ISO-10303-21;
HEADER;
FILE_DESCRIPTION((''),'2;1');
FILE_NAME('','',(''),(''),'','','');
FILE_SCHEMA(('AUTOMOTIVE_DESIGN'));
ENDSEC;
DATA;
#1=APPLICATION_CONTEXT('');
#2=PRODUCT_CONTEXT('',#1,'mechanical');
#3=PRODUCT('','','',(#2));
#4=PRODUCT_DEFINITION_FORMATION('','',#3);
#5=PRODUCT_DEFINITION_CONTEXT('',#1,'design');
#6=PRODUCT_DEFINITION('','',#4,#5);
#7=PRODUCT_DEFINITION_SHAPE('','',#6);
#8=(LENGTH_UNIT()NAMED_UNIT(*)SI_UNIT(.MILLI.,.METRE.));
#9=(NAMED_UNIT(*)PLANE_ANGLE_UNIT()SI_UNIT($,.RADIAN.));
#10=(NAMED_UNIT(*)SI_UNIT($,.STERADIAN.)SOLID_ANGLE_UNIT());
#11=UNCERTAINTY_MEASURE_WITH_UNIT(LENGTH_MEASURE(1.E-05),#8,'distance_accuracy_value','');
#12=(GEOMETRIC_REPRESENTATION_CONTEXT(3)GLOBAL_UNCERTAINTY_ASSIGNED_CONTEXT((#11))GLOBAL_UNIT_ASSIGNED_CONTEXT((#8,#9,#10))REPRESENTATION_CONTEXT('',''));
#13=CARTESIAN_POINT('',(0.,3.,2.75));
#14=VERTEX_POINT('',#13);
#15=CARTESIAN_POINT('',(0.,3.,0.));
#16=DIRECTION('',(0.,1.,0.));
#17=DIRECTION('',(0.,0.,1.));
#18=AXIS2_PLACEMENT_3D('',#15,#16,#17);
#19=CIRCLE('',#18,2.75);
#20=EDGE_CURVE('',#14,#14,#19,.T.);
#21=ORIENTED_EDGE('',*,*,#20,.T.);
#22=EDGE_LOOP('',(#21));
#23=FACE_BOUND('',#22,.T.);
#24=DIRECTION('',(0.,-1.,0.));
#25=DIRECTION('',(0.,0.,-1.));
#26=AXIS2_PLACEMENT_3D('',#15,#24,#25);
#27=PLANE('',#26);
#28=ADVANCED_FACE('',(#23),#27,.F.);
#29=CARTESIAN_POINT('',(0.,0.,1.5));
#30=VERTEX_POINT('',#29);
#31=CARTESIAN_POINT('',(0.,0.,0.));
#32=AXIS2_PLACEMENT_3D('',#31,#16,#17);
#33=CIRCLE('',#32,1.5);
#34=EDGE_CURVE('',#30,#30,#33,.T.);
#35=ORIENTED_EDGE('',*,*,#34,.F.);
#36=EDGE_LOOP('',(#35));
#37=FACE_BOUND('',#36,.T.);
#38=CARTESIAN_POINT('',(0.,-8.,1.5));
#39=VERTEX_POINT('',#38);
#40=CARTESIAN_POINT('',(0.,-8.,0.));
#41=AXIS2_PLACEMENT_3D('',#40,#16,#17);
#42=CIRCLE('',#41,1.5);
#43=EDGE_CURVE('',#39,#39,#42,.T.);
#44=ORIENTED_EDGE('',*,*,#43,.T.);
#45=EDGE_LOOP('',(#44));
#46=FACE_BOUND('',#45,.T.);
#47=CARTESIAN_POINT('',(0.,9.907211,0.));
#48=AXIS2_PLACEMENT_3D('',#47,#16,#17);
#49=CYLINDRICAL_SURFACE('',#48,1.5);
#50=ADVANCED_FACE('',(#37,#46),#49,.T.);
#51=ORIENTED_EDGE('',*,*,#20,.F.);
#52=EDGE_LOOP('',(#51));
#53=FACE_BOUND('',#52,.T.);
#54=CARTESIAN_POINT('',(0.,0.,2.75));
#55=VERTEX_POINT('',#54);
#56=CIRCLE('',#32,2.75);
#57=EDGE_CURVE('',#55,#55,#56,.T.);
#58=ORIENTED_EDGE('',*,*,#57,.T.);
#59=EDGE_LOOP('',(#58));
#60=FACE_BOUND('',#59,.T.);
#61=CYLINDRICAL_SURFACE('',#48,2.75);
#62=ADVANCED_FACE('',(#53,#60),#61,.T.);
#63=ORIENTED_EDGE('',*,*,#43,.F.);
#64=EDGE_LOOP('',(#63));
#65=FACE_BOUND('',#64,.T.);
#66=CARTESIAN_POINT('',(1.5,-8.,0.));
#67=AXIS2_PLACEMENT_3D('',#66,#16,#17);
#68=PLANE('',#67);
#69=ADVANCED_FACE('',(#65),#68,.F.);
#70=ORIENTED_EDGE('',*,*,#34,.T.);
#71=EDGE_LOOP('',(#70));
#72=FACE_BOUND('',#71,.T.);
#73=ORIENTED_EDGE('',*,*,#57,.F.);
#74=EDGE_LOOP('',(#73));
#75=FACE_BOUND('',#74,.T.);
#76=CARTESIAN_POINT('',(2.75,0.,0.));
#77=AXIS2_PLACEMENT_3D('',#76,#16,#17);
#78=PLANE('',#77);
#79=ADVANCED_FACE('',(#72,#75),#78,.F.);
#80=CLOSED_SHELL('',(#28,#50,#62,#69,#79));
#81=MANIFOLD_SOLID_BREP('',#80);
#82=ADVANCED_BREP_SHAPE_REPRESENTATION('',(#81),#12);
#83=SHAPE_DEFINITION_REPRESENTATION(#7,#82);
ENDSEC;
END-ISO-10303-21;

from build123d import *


with BuildPart() as part:
    # profiile → Base-Revolve (revolve)
    with BuildSketch(Plane.XY):
        Polygon((0, 3), (2.75, 3), (2.75, 0), (1.5, 0), (1.5, -8), (0, -8), align=None)
    revolve(axis=Axis((0, 9.907210965, 0), (0, -1, 0)))


solid = part.part
